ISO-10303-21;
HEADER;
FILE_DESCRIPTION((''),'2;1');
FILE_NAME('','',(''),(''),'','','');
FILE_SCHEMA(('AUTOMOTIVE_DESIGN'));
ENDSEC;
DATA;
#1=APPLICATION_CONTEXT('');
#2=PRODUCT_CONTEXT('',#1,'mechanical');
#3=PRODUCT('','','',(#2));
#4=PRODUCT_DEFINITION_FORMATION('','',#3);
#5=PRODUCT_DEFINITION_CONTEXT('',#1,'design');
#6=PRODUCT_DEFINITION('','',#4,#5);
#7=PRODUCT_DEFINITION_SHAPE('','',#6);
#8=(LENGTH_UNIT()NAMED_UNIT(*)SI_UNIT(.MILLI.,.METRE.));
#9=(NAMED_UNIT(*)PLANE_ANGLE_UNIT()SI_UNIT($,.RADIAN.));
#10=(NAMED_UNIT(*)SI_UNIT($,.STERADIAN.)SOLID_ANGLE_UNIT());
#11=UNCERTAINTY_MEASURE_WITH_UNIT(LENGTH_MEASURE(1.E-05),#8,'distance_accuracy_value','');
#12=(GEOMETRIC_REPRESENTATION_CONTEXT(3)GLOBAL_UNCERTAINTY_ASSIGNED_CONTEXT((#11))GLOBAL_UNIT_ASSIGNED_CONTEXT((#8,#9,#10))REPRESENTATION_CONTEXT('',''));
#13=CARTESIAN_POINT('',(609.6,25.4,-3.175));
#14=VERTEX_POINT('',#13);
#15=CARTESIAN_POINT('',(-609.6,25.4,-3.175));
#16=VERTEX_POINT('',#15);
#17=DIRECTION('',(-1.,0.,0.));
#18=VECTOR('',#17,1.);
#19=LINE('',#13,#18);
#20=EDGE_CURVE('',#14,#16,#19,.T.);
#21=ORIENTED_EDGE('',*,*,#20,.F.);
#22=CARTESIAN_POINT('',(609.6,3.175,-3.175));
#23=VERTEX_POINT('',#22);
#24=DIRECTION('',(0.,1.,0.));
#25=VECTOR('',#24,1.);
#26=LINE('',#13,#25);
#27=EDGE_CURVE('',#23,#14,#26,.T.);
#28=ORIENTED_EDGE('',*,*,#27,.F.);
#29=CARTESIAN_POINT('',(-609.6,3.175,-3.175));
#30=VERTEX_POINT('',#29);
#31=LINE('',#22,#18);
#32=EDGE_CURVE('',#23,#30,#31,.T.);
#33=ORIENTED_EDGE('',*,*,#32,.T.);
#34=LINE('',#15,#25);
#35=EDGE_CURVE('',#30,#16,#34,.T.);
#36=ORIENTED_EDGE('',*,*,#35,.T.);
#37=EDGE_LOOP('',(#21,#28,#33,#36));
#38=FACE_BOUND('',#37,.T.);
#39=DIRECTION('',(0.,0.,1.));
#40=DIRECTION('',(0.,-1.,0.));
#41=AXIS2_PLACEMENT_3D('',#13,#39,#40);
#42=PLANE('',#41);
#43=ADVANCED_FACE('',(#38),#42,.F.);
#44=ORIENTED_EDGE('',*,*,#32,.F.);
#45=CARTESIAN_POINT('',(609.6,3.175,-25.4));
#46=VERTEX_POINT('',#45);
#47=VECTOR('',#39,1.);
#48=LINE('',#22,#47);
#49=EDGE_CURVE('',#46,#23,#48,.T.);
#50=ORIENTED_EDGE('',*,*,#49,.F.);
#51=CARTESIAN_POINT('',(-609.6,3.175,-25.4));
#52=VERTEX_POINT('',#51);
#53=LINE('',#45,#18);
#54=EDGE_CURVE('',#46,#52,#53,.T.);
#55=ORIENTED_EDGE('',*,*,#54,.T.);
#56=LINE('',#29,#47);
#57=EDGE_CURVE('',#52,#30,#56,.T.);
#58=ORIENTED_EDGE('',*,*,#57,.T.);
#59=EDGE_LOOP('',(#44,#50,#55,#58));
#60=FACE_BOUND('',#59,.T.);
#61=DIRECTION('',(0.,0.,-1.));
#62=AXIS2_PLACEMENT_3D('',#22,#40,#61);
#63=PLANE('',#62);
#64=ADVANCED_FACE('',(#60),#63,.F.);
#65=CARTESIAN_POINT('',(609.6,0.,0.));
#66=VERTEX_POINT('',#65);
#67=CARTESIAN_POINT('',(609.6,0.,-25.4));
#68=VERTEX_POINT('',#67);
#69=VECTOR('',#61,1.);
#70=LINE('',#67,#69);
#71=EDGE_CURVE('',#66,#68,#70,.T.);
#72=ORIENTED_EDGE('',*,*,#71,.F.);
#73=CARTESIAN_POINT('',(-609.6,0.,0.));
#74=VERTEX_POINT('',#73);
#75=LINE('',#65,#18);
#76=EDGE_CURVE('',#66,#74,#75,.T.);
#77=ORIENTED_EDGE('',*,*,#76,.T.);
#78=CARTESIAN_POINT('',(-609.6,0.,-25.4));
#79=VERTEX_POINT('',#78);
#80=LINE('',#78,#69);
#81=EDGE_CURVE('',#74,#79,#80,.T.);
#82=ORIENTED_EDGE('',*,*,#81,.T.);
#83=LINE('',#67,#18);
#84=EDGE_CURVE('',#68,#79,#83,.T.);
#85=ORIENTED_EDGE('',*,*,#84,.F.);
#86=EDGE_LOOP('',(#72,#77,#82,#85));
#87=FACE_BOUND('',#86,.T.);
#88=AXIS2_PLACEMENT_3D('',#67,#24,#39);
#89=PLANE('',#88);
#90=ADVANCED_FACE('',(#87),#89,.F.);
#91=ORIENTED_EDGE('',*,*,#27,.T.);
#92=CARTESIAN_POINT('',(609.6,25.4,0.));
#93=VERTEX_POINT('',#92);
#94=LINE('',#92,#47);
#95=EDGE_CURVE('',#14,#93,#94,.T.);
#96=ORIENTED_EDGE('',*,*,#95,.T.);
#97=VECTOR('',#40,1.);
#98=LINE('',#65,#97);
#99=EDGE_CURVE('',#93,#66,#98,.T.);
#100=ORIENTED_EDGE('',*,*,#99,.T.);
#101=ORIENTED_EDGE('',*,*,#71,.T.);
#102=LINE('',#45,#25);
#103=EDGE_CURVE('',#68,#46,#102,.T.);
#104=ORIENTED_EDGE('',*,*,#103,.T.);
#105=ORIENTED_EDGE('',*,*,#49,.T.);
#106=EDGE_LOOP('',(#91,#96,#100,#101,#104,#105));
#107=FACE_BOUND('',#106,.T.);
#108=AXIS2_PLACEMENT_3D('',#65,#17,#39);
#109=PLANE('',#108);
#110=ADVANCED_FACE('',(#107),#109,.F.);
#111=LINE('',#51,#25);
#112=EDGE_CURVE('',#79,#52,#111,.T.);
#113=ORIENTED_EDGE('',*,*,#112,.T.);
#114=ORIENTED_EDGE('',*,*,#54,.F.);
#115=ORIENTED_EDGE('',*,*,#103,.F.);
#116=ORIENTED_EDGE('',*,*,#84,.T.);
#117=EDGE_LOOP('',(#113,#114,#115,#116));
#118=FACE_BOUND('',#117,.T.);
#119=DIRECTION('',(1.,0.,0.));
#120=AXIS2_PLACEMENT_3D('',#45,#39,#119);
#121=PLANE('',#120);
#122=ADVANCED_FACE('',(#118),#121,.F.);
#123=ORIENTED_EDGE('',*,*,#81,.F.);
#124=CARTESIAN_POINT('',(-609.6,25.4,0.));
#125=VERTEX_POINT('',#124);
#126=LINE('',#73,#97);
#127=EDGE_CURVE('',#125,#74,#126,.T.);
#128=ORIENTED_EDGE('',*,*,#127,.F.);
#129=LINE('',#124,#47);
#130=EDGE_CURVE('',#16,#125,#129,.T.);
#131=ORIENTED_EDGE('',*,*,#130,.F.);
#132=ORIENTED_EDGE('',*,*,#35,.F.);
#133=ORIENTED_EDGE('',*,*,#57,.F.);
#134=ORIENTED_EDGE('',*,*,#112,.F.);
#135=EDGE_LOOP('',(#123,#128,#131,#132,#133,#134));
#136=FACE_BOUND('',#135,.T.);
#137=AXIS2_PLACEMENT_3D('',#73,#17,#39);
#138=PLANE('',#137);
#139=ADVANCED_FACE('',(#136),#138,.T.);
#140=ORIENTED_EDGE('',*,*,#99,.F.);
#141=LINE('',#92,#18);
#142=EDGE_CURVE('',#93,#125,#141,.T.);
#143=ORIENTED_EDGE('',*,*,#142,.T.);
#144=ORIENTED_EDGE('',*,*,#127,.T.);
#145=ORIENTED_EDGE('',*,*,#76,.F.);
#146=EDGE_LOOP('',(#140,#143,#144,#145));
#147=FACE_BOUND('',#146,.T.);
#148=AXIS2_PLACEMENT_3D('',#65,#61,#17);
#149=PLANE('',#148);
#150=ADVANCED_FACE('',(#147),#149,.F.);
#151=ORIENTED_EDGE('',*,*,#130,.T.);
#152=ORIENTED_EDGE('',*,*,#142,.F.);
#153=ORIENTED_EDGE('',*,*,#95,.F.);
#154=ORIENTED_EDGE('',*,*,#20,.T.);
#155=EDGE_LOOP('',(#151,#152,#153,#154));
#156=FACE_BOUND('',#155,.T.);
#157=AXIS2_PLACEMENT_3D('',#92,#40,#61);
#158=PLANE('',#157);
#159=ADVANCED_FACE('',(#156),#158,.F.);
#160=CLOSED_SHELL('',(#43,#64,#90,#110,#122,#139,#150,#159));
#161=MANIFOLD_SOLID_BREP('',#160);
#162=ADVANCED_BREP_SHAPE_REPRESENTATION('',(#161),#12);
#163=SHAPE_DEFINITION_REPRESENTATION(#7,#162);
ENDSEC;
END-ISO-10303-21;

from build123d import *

# Parameters (mm, degrees)
BOSS_EXTRUDE1_DEPTH = 609.6


with BuildPart() as part:
    # Sketch1 → Boss-Extrude1 (new body, symmetric)
    with BuildSketch(Plane(origin=(0, 0, 0), x_dir=(0, 0, -1), z_dir=(1, 0, 0))):
        Polygon((0, 0), (0, 25.4), (3.175, 25.4), (3.175, 3.175), (25.4, 3.175), (25.4, 0), align=None)
    extrude(amount=BOSS_EXTRUDE1_DEPTH, both=True)


solid = part.part
